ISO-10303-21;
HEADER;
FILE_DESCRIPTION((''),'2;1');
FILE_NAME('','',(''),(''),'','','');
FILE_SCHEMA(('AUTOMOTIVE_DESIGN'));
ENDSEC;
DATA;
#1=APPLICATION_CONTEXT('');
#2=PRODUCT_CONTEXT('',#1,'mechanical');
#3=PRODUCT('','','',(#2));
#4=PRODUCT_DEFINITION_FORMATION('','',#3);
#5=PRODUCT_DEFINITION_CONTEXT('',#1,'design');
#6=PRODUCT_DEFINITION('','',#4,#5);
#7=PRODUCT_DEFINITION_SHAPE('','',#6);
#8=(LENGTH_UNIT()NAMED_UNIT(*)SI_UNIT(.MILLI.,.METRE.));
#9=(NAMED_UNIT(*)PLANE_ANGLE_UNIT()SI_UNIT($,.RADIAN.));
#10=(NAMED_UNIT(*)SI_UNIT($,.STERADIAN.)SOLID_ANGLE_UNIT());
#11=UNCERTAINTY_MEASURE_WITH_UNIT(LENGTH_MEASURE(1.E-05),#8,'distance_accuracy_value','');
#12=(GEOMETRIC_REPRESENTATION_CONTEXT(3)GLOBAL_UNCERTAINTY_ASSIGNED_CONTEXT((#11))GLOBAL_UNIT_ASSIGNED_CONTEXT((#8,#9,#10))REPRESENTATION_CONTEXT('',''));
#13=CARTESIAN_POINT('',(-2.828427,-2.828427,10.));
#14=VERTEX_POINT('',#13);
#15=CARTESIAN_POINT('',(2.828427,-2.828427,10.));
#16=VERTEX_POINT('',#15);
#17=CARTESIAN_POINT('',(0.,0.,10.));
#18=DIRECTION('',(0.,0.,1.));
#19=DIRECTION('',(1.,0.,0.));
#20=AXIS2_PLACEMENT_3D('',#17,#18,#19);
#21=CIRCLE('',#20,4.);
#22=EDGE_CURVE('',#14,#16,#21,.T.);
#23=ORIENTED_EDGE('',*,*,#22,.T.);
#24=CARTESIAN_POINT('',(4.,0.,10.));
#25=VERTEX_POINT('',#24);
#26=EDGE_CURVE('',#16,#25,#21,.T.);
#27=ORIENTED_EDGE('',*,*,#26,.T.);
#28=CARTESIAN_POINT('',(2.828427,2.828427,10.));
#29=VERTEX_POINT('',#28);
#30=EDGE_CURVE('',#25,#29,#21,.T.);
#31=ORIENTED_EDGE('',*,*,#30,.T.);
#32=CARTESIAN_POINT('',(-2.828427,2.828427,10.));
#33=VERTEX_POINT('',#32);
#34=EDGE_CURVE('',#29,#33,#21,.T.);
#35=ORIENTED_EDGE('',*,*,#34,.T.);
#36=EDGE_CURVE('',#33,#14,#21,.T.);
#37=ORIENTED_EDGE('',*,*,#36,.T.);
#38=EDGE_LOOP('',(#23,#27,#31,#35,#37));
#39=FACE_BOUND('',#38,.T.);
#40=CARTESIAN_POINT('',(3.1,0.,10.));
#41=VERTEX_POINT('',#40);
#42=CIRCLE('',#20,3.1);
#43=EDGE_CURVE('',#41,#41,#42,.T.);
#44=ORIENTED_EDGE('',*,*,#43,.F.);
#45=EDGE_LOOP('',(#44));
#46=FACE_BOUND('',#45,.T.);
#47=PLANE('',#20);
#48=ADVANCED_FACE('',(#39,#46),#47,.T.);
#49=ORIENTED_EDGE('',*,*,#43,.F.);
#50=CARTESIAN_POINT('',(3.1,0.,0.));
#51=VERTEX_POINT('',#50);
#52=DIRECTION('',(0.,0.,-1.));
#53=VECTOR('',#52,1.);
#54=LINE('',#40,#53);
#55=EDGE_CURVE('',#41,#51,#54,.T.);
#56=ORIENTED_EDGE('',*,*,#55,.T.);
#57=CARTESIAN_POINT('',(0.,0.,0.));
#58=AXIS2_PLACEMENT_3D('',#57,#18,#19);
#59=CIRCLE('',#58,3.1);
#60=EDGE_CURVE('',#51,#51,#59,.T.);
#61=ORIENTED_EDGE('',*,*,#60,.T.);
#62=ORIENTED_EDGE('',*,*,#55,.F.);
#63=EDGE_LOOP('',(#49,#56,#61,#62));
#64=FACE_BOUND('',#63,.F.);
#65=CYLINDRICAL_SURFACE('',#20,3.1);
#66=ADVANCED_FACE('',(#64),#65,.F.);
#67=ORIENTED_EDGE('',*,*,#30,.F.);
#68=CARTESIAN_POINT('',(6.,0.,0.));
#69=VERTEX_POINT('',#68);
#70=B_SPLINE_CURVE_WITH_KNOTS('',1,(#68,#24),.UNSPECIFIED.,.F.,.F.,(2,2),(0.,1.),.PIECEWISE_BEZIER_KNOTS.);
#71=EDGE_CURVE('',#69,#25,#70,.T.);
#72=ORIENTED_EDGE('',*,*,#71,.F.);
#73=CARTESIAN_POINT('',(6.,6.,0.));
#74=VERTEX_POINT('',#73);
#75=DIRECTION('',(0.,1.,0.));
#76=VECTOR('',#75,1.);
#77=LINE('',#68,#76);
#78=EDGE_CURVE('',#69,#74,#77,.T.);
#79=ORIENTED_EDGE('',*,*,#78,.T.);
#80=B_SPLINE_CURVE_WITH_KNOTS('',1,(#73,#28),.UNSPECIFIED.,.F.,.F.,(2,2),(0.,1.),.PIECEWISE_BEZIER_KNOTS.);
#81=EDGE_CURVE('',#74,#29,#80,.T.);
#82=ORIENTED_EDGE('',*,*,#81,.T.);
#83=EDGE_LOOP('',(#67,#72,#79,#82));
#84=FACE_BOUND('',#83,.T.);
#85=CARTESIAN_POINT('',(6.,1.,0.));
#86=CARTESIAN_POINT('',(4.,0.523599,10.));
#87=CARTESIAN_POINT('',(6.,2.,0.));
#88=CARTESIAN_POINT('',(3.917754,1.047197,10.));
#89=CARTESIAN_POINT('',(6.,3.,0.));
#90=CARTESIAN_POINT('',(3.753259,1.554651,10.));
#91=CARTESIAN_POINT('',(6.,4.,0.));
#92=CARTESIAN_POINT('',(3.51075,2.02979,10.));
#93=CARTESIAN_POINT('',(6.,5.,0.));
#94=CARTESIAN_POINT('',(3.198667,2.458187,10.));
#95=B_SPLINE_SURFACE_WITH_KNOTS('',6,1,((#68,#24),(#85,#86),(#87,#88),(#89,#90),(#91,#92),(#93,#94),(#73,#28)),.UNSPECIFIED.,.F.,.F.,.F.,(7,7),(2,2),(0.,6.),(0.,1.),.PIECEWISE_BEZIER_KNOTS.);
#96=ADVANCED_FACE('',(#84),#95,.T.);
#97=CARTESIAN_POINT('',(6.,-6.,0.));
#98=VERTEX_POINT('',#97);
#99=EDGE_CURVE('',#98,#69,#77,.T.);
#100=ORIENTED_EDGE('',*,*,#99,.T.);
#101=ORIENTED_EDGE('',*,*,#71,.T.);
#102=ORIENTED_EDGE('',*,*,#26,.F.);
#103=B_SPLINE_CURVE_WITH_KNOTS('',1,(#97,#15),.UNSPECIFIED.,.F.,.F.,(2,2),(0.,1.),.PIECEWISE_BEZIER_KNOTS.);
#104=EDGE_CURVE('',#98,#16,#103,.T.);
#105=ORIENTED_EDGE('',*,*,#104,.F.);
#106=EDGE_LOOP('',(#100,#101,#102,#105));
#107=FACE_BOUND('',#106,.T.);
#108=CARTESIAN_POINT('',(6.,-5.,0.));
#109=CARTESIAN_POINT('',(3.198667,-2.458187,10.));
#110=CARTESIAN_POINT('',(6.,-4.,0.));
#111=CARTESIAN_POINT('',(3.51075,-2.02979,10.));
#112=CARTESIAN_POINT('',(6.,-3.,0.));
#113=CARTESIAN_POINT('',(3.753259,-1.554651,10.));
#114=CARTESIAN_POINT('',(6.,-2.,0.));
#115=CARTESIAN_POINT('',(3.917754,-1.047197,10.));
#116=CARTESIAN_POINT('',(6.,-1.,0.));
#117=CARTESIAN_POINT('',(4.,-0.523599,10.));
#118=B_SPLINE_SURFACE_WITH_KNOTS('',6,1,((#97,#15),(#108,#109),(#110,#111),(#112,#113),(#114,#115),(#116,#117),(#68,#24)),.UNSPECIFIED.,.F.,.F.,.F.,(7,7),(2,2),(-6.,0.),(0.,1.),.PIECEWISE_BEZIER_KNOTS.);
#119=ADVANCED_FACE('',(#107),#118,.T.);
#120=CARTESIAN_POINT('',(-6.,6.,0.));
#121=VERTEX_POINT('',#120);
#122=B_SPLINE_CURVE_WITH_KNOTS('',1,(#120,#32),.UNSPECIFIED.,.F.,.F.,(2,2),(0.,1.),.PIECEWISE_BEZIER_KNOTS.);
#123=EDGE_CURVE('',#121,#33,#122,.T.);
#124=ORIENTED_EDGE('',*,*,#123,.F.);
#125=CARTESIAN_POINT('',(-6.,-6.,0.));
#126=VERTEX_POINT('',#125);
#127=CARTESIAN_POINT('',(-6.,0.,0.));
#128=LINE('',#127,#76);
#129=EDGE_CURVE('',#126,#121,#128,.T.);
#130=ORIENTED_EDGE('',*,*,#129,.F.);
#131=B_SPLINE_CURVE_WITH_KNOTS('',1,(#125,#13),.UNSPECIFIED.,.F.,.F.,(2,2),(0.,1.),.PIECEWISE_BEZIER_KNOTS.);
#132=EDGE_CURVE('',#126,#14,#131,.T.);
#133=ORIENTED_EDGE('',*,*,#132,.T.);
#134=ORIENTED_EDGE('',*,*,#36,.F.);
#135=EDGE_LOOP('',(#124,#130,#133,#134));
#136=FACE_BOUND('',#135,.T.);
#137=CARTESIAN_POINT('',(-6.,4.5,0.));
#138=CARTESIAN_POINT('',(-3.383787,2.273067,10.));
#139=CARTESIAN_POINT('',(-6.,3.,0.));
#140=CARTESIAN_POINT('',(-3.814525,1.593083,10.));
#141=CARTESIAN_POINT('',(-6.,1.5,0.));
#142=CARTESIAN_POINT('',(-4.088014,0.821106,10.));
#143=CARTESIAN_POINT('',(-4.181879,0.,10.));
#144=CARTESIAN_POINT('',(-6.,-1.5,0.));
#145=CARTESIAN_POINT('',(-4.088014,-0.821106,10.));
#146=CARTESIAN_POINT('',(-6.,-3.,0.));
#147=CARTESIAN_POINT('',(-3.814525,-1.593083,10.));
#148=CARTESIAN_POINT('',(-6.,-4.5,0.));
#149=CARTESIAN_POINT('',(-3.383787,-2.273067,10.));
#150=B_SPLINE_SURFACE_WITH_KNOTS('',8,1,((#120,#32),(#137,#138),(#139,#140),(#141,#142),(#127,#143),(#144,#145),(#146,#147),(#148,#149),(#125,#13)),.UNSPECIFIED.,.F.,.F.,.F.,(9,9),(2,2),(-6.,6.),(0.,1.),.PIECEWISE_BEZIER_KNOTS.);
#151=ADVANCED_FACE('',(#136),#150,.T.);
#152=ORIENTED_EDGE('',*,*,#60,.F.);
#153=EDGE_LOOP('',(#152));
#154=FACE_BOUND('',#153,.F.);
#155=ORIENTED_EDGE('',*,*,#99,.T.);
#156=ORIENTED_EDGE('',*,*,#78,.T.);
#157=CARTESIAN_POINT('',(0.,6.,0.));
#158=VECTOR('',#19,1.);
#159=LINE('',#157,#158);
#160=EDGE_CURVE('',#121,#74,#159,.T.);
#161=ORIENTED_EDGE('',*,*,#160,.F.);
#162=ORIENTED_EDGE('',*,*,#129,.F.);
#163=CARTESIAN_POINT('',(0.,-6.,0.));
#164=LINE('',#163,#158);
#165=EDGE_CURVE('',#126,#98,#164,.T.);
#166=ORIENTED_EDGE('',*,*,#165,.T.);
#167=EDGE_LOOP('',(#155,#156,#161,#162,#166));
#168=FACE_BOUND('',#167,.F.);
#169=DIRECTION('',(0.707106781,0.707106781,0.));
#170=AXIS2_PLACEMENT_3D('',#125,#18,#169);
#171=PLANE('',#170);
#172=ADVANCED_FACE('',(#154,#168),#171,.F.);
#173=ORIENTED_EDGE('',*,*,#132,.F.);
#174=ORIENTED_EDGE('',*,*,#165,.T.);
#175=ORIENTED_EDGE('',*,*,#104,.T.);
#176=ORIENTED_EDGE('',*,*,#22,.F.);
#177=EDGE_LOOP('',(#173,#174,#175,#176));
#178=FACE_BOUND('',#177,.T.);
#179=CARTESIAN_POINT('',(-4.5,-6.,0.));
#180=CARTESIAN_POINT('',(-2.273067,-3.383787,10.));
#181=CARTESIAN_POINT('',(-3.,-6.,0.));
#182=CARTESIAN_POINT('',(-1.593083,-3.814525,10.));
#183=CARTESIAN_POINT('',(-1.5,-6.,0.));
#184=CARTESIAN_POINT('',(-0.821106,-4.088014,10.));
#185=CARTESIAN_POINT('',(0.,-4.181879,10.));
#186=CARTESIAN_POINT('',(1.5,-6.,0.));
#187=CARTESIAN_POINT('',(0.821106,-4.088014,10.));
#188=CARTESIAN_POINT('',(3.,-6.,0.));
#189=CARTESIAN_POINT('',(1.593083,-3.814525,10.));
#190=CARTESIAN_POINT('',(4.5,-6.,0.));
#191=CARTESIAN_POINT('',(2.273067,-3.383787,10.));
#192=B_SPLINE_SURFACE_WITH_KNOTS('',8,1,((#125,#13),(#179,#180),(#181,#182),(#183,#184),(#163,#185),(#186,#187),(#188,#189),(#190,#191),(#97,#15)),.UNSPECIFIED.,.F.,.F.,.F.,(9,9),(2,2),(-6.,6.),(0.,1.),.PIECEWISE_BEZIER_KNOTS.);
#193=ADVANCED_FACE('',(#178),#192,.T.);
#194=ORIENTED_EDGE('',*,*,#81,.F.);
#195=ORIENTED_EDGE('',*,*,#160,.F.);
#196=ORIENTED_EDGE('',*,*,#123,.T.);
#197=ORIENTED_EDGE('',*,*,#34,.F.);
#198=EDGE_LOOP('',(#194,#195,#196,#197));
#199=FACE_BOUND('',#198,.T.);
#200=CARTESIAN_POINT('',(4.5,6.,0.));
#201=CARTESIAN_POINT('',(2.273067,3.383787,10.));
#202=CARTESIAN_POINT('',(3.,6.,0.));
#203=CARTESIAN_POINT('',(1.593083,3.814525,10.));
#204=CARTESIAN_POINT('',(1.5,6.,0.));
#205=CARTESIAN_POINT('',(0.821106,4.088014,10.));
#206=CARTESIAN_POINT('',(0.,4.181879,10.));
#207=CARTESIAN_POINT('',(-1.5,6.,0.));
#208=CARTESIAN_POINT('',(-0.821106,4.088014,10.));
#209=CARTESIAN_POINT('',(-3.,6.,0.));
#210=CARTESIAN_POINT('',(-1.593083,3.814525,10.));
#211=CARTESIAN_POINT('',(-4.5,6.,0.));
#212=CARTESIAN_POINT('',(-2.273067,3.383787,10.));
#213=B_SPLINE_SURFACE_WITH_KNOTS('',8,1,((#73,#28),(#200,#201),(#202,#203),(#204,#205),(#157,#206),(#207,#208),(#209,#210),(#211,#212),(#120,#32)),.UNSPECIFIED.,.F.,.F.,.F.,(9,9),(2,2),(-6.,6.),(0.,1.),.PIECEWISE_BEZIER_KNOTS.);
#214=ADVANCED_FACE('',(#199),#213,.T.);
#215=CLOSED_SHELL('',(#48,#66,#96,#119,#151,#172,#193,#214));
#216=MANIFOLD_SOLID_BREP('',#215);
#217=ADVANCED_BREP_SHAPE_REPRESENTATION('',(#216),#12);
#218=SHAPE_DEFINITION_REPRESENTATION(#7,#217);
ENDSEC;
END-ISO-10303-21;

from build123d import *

# Parameters (mm, degrees)
SKETCH_W     = 12
SKETCH_H     = 12
SKETCH001_R  = 4
SKETCH002_R  = 3.1
POCKET_DEPTH = 10.001


with BuildPart() as part:
    # Sketch → AdditiveLoft section 0
    with BuildSketch(Plane.XY):
        Rectangle(SKETCH_W, SKETCH_H)
    # Sketch001 (on DatumPlane) → AdditiveLoft section 1
    with BuildSketch(Plane.XY.offset(10)):
        Circle(SKETCH001_R)
    loft()

    # Sketch002 (on DatumPlane) → Pocket (cut, through all)
    with BuildSketch(Plane.XY.offset(10)):
        Circle(SKETCH002_R)
    extrude(amount=-POCKET_DEPTH, mode=Mode.SUBTRACT)


solid = part.part
